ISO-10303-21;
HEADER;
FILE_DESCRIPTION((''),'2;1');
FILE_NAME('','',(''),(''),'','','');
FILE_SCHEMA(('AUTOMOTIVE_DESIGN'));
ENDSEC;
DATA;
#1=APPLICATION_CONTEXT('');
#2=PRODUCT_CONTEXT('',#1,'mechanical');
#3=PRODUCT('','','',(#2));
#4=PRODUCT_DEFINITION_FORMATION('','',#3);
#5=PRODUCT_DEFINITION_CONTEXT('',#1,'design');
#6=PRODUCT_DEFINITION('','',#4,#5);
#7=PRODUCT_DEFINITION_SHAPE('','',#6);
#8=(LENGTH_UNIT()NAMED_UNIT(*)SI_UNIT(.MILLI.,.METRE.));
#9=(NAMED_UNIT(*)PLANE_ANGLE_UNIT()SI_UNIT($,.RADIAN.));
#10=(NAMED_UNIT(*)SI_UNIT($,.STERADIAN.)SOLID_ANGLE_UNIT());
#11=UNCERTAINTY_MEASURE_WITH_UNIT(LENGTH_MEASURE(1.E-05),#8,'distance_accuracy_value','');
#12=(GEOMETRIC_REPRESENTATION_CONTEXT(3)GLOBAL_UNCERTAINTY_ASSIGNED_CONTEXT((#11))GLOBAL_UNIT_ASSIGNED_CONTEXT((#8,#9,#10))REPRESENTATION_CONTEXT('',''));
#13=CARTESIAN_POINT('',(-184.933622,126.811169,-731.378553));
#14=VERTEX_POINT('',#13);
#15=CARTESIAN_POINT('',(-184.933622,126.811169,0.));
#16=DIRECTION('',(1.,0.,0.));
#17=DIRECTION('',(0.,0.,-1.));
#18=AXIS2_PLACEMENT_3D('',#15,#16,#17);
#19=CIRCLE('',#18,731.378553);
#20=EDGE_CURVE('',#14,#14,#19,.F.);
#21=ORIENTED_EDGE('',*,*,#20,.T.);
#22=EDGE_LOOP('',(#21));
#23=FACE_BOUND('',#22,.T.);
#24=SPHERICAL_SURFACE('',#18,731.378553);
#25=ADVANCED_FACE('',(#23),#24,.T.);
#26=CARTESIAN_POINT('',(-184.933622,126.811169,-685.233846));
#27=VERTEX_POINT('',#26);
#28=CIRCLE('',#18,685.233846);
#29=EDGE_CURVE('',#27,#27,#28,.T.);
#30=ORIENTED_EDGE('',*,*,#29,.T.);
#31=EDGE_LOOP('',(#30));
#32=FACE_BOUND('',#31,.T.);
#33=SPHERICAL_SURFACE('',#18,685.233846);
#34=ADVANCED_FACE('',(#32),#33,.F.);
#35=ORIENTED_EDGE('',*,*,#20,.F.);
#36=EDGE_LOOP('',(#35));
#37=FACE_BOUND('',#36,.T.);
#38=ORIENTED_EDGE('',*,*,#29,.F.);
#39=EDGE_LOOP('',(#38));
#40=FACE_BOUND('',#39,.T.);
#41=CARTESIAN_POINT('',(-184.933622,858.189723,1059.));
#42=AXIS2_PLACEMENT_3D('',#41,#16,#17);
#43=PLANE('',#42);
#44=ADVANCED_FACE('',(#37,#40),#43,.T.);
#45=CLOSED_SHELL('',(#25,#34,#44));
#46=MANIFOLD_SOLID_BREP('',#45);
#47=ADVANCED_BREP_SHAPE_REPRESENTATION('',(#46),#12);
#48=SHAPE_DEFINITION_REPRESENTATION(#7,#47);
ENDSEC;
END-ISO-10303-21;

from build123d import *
from build123d.topology import SkipClean

# Parameters (mm, degrees)
CUT_EXTRUDE1_DEPTH      = 1059
CUT_EXTRUDE1_DEPTH_BACK = 900
SKETCH2_W               = 786.886229181
SKETCH2_H               = 1563.628511717


with BuildPart() as part:
    # Sketch1 → Revolve1 (revolve)
    with BuildSketch(Plane.XY):
        with BuildLine():
            Line((-184.933621706, 858.189722625), (-184.933621706, 812.045015021))
            ThreePointArc((-184.933621706, 812.045015021), (-870.167467239, 126.811169487), (-184.933621706, -558.422676046))
            Line((-184.933621706, -558.422676046), (-184.933621706, -604.56738365))
            ThreePointArc((-184.933621706, -604.56738365), (-916.312174843, 126.811169487), (-184.933621706, 858.189722625))
        make_face()
    revolve(axis=Axis((-184.933621706, 858.189722625, 0), (0, -1, 0)))

    # Sketch2 → Cut-Extrude1 (cut, two sides: drawn at the far end of the back side and taken through both)
    with SkipClean():  # the faces are left unmerged after this step: merging them gives an invalid solid
        with BuildSketch(Plane.XY.offset(-CUT_EXTRUDE1_DEPTH_BACK)):
            with Locations((208.509492884, 76.375466766)):
                Rectangle(SKETCH2_W, SKETCH2_H)
        extrude(amount=CUT_EXTRUDE1_DEPTH + CUT_EXTRUDE1_DEPTH_BACK, mode=Mode.SUBTRACT)


solid = part.part
